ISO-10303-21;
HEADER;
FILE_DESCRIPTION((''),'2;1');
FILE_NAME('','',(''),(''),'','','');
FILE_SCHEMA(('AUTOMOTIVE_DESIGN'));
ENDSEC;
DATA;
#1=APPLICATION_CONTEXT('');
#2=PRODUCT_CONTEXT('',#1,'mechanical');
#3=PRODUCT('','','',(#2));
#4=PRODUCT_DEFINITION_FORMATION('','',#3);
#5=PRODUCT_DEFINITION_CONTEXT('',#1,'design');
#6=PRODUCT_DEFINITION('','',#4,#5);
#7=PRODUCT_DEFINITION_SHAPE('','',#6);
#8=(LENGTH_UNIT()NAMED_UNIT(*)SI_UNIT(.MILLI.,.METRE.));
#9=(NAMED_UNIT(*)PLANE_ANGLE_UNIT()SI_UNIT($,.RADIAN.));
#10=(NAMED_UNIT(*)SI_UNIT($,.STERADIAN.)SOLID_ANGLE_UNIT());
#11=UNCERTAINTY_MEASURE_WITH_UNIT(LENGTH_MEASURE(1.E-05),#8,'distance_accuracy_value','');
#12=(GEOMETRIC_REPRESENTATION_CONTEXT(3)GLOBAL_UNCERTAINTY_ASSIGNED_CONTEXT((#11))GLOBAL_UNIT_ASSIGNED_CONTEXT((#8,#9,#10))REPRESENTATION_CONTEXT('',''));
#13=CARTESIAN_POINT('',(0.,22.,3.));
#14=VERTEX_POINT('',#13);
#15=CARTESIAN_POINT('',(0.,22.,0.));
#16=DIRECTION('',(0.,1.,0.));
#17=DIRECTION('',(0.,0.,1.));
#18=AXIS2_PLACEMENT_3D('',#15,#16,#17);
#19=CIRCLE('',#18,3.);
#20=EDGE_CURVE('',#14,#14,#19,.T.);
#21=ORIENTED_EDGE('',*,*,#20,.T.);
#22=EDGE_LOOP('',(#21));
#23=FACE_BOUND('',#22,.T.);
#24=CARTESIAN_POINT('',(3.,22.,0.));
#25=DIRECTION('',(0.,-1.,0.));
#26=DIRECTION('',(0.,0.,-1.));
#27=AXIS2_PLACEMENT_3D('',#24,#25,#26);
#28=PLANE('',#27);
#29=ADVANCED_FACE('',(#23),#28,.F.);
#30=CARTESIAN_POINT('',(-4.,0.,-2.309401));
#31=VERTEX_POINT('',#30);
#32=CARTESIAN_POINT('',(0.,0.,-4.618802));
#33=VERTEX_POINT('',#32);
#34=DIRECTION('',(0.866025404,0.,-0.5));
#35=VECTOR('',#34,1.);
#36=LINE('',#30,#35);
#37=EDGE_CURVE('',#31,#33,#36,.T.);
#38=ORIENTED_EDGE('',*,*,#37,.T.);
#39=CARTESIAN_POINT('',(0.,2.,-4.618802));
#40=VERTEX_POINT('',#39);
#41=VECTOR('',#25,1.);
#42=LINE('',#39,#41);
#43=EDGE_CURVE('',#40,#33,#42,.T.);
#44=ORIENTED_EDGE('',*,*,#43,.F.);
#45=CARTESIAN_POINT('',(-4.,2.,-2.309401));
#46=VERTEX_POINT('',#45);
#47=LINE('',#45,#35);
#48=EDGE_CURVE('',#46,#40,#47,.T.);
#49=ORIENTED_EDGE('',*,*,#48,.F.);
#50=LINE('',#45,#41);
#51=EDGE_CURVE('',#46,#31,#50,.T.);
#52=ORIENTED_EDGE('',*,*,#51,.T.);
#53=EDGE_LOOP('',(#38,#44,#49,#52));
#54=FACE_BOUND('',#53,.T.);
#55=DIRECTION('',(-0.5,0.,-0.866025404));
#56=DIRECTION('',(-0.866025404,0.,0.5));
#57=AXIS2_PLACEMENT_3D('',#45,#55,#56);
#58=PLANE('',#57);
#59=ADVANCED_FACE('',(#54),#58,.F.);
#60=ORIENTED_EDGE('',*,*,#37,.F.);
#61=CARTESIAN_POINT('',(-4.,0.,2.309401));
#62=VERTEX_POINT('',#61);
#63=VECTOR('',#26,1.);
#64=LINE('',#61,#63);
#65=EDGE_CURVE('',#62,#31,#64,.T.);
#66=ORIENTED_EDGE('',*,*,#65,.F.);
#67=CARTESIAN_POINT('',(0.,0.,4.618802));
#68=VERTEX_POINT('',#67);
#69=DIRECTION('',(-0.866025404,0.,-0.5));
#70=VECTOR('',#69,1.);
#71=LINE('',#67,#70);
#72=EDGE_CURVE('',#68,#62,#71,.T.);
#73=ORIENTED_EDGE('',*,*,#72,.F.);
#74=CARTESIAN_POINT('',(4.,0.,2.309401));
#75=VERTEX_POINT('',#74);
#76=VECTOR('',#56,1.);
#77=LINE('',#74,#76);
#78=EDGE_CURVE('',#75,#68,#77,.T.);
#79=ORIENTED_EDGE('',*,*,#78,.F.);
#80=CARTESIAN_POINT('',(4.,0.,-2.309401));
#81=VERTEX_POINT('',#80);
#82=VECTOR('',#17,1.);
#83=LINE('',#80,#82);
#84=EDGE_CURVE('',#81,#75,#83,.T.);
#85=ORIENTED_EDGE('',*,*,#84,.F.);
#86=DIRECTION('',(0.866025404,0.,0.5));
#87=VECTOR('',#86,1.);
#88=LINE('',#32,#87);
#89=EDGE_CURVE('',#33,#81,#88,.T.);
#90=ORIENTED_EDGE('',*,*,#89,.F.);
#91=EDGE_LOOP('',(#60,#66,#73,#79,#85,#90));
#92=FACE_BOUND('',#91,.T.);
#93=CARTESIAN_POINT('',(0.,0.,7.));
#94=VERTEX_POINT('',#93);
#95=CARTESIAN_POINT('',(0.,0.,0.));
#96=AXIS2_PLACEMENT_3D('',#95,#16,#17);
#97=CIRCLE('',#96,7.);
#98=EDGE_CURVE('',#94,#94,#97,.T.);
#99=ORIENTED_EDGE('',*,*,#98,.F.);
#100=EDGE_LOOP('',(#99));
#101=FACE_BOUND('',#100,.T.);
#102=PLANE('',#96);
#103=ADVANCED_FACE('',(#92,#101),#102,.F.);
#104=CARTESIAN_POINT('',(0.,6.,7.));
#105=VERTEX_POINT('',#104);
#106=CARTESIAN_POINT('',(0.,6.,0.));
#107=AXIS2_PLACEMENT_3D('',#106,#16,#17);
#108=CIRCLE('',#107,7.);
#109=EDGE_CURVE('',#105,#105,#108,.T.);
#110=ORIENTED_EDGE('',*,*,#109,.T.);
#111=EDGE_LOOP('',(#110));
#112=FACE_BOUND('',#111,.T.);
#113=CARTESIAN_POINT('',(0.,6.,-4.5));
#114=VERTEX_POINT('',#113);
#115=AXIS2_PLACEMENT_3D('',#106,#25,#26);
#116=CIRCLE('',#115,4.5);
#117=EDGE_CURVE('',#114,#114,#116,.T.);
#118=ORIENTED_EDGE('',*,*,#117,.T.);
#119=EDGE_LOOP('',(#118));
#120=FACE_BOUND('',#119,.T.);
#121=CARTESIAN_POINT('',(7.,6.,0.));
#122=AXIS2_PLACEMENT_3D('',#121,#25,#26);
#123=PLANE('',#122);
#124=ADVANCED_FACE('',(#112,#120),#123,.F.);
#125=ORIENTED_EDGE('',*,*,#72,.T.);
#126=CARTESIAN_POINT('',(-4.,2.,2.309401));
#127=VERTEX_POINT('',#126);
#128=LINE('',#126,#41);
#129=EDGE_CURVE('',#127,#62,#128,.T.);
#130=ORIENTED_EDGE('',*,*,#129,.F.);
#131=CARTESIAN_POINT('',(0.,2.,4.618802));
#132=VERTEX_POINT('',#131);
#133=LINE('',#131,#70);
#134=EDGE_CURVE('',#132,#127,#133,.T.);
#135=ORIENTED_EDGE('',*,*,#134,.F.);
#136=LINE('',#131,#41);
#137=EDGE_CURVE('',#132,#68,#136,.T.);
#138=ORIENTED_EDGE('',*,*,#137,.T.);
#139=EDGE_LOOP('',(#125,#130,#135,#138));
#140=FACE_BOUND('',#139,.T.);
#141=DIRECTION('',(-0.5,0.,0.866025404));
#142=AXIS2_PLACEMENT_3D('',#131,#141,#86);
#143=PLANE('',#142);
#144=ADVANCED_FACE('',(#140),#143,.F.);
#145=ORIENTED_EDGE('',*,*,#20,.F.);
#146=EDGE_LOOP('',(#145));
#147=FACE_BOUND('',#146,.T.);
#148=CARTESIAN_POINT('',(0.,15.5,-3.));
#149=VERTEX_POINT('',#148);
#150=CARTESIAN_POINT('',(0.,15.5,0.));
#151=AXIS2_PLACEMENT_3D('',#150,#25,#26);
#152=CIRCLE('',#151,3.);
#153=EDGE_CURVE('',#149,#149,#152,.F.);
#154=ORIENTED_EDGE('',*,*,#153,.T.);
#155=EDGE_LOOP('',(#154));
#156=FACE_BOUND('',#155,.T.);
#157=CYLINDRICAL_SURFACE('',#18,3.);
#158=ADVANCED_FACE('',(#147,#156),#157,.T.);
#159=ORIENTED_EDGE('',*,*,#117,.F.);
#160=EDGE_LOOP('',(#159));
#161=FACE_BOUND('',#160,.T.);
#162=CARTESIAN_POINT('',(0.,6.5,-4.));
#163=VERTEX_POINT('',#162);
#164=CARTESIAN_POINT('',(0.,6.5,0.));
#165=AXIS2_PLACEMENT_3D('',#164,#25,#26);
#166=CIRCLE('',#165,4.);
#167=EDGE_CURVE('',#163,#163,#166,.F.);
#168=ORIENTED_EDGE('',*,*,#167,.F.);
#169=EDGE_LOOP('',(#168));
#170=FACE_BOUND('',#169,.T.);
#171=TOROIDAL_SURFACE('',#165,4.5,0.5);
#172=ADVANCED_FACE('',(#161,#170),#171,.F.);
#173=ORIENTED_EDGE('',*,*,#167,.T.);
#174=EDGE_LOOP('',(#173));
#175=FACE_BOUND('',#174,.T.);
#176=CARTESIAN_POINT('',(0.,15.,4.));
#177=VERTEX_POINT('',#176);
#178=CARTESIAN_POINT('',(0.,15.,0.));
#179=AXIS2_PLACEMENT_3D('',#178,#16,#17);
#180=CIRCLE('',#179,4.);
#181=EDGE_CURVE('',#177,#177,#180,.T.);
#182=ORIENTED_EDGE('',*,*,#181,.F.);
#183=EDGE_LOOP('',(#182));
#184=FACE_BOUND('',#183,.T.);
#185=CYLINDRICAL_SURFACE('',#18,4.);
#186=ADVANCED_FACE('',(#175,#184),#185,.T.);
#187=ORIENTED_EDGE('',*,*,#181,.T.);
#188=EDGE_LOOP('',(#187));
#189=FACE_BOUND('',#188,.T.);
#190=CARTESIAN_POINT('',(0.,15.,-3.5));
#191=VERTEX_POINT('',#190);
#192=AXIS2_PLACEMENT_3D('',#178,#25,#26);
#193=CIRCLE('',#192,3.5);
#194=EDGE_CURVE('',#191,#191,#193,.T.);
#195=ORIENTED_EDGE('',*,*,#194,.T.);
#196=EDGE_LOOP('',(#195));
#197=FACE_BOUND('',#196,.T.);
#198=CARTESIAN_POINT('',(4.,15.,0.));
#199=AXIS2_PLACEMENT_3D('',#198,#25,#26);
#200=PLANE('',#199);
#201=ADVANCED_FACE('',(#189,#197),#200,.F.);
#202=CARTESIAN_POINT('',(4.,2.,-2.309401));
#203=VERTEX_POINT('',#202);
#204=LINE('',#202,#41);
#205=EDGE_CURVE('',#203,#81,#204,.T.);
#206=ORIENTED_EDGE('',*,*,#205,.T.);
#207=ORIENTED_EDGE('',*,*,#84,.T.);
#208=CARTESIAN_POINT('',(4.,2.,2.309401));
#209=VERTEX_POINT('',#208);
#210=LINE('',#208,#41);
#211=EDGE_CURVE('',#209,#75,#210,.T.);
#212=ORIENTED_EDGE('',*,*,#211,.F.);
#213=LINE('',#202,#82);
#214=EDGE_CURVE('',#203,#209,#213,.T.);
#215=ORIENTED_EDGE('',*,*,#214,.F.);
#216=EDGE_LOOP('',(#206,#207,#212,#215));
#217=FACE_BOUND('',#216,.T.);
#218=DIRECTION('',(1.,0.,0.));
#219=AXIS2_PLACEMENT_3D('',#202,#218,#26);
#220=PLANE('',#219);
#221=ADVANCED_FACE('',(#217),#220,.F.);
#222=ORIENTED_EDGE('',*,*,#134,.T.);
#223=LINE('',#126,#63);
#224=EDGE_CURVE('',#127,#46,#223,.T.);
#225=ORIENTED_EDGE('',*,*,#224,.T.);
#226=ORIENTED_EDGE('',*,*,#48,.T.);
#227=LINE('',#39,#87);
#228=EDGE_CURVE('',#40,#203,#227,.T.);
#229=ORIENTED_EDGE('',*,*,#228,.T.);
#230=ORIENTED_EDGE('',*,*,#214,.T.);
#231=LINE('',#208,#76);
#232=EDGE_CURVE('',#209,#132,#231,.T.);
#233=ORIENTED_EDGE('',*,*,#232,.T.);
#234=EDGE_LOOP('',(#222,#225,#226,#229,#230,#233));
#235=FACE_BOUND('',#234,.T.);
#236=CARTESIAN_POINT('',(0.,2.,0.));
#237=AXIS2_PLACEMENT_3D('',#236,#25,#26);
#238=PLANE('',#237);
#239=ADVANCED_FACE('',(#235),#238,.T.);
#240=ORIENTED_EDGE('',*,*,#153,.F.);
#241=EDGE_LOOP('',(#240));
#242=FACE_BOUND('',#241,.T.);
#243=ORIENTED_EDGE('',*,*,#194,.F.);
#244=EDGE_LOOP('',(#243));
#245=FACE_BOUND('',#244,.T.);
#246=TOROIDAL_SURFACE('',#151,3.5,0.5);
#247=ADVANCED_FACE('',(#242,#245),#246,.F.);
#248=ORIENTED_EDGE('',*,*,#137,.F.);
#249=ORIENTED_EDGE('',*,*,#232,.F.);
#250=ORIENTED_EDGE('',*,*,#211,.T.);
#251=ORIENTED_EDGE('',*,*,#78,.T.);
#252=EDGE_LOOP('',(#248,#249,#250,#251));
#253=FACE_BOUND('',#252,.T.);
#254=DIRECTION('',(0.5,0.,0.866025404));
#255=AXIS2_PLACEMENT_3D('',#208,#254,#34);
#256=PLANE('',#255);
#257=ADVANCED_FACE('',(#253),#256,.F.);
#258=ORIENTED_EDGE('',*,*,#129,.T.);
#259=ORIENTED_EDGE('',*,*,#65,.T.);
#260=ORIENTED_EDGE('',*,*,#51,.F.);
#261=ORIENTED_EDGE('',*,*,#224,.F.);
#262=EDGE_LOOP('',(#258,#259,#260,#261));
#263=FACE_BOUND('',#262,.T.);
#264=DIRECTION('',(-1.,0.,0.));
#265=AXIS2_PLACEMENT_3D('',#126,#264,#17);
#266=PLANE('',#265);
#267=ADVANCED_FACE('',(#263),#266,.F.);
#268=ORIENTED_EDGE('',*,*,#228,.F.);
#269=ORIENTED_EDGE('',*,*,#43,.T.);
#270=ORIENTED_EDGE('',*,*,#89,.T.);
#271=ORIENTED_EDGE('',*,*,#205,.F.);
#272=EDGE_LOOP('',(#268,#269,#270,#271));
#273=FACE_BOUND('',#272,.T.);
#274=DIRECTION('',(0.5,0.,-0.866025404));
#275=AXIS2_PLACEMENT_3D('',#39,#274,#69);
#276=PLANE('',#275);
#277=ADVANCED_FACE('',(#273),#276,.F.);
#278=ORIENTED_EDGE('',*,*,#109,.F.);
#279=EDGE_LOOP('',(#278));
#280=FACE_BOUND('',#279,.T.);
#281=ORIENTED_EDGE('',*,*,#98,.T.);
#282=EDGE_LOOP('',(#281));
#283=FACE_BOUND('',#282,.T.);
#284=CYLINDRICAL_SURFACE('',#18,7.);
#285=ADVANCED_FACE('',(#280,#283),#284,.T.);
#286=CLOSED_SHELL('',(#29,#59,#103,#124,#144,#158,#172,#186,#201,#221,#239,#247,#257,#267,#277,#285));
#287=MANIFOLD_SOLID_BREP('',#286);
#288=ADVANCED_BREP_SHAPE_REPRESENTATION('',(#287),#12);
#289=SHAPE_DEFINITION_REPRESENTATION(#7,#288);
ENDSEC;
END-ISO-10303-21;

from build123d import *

# Parameters (mm, degrees)
CUT_EXTRUDE1_DEPTH = 2
FILLET1_R          = 0.5
FILLET2_R          = 0.5


with BuildPart() as part:
    # Sketch1 → Revolve1 (revolve)
    with BuildSketch(Plane.XY):
        Polygon((0, 0), (7, 0), (7, 6), (4, 6), (4, 15), (3, 15), (3, 22), (0, 22), align=None)
    revolve(axis=Axis((0, 22, 0), (0, -1, 0)))

    # Sketch2 → Cut-Extrude1 (cut)
    with BuildSketch(Plane.XZ):
        Polygon((0, -4.618802154), (4, -2.309401077), (4, 2.309401077), (0, 4.618802154), (-4, 2.309401077), (-4, -2.309401077), align=None)
    extrude(amount=-CUT_EXTRUDE1_DEPTH, mode=Mode.SUBTRACT)

    # Fillet1
    fillet1_edges = [part.edges().sort_by_distance(p)[0] for p in [
        (-4, 6, 0),
    ]]
    fillet(fillet1_edges, radius=FILLET1_R)

    # Fillet2
    fillet2_edges = [part.edges().sort_by_distance(p)[0] for p in [
        (-3, 15, 0),
    ]]
    fillet(fillet2_edges, radius=FILLET2_R)


solid = part.part
